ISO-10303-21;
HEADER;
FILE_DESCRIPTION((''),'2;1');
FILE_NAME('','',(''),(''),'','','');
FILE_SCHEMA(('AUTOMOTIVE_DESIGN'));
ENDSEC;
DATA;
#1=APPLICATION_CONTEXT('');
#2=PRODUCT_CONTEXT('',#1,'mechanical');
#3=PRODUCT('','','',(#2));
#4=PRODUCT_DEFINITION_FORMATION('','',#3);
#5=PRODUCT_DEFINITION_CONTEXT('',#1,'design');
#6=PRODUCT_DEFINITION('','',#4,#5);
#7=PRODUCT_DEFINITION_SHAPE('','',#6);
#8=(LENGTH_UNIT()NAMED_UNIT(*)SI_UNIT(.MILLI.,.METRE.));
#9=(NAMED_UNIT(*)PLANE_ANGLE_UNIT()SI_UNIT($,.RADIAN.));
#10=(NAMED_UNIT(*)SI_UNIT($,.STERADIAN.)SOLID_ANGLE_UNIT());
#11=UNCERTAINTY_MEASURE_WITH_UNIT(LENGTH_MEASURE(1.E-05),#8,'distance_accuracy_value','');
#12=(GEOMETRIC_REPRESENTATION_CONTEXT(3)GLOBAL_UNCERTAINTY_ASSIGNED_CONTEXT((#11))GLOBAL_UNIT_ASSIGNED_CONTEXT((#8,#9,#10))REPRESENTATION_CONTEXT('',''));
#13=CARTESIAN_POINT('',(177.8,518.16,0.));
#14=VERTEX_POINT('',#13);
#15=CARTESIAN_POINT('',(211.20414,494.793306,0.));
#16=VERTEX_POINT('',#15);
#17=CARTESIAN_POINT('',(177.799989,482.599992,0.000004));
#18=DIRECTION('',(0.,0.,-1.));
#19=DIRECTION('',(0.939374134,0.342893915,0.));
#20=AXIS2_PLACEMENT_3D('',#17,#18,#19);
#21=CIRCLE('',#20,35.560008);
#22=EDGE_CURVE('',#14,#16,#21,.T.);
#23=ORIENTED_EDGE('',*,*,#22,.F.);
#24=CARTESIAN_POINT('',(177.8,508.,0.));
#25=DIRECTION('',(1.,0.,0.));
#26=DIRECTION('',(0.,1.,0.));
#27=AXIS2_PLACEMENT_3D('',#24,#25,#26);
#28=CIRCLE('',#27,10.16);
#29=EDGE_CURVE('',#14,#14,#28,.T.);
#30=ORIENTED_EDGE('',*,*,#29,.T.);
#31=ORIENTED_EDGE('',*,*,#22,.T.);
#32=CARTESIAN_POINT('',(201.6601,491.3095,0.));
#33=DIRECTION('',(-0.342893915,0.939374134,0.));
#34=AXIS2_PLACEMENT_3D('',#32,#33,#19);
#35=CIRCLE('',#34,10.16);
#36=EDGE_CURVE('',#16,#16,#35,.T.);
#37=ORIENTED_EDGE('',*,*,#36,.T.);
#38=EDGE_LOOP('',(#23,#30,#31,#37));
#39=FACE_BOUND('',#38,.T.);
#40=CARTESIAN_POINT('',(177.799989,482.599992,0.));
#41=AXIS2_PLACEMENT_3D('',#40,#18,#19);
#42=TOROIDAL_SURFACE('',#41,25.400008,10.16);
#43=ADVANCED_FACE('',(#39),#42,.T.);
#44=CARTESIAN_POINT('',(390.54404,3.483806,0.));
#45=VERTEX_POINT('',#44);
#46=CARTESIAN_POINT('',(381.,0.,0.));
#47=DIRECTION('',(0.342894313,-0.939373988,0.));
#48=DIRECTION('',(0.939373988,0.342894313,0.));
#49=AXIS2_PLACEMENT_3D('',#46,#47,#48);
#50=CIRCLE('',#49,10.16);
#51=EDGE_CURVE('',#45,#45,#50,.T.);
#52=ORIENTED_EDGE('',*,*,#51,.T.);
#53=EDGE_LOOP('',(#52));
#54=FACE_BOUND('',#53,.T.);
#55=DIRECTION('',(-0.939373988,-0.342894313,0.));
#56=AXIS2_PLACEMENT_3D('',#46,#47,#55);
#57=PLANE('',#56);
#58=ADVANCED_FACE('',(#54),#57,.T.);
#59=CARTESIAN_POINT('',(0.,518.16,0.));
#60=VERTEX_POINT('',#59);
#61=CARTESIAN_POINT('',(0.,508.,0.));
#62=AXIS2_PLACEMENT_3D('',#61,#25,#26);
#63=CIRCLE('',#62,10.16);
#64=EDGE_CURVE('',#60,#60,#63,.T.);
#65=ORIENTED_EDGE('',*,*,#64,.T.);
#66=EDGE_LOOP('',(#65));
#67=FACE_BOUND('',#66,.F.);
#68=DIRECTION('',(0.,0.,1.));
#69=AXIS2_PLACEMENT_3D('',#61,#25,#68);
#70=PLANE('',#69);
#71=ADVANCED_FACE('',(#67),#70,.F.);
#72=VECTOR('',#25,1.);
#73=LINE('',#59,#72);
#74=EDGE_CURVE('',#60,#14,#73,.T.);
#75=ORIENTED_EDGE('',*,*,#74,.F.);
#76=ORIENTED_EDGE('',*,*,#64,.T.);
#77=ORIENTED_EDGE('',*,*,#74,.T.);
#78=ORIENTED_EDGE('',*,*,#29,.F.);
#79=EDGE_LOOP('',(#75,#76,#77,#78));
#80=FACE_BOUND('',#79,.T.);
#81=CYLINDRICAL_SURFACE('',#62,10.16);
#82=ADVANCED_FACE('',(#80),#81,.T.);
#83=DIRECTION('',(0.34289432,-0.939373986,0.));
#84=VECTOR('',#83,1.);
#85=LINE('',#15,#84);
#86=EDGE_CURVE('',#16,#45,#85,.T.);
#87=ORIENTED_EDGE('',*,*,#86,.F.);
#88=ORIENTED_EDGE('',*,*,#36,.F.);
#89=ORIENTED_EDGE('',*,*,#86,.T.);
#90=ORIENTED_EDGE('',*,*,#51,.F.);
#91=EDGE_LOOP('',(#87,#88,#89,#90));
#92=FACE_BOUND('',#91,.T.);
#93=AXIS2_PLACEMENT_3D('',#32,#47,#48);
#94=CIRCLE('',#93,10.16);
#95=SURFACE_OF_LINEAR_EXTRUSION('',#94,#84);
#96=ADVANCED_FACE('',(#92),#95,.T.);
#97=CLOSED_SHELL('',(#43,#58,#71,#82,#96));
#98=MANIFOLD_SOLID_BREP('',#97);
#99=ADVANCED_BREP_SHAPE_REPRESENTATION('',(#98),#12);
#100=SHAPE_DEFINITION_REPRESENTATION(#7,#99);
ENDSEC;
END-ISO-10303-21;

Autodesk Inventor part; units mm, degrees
ref_plane "YZ Plane" through (0, 0, 0) normal (1, 0, 0) x (0, 1, 0)
ref_plane "XZ Plane" through (0, 0, 0) normal (0, 1, 0) x (-1, 0, 0)
ref_plane "XY Plane" through (0, 0, 0) normal (0, 0, 1) x (1, 0, 0)
sketch "Sketch3" plane through (0, 0, 0) normal (0, 0, 1) x (1, 0, 0)
  line L0 (0, 508) -> (177.8, 508)
  line L1 (201.6601, 491.3095) -> (381, 0)
  arc A0 (201.6601, 491.3095) -> (177.8, 508) centre (177.8, 482.6) ccw
  line L2 (0, 0) -> (0, 508) construction
  dimension "d4" = 508
  dimension "d5" = 0
  dimension "d9" = 25.4
  dimension "d10" = 177.8
  dimension "d13" = 381
sketch "Sketch4" plane through (0, 0, 0) normal (1, 0, 0) x (0, 1, 0)
  circle A0 centre (508, 0) radius 10.16
  point P0 (0, 0)
  dimension "d7" = 20.32
  dimension "d8" = 508
sweep "Sweep1" add profiles "Sketch4" path "Sketch3"
equation "\"d4\" = handleHeight"
equation "\"d9\" = handleRadius"
equation "\"d10\" = handleLength"
equation "\"d13\" = handleBottomLength"
equation "\"d7\" = tubingOutsideDiameter"
equation "\"d8\" = handleHeight"
equation "\"handleHeight\" = 508"
equation "\"handleLength\" = 177.8"
equation "\"tubingOutsideDiameter\" = 20.32"
equation "\"handleRadius\" = 25.4"
equation "\"handleBottomLength\" = 381"
properties part number "loganWalkerHandlePart"
